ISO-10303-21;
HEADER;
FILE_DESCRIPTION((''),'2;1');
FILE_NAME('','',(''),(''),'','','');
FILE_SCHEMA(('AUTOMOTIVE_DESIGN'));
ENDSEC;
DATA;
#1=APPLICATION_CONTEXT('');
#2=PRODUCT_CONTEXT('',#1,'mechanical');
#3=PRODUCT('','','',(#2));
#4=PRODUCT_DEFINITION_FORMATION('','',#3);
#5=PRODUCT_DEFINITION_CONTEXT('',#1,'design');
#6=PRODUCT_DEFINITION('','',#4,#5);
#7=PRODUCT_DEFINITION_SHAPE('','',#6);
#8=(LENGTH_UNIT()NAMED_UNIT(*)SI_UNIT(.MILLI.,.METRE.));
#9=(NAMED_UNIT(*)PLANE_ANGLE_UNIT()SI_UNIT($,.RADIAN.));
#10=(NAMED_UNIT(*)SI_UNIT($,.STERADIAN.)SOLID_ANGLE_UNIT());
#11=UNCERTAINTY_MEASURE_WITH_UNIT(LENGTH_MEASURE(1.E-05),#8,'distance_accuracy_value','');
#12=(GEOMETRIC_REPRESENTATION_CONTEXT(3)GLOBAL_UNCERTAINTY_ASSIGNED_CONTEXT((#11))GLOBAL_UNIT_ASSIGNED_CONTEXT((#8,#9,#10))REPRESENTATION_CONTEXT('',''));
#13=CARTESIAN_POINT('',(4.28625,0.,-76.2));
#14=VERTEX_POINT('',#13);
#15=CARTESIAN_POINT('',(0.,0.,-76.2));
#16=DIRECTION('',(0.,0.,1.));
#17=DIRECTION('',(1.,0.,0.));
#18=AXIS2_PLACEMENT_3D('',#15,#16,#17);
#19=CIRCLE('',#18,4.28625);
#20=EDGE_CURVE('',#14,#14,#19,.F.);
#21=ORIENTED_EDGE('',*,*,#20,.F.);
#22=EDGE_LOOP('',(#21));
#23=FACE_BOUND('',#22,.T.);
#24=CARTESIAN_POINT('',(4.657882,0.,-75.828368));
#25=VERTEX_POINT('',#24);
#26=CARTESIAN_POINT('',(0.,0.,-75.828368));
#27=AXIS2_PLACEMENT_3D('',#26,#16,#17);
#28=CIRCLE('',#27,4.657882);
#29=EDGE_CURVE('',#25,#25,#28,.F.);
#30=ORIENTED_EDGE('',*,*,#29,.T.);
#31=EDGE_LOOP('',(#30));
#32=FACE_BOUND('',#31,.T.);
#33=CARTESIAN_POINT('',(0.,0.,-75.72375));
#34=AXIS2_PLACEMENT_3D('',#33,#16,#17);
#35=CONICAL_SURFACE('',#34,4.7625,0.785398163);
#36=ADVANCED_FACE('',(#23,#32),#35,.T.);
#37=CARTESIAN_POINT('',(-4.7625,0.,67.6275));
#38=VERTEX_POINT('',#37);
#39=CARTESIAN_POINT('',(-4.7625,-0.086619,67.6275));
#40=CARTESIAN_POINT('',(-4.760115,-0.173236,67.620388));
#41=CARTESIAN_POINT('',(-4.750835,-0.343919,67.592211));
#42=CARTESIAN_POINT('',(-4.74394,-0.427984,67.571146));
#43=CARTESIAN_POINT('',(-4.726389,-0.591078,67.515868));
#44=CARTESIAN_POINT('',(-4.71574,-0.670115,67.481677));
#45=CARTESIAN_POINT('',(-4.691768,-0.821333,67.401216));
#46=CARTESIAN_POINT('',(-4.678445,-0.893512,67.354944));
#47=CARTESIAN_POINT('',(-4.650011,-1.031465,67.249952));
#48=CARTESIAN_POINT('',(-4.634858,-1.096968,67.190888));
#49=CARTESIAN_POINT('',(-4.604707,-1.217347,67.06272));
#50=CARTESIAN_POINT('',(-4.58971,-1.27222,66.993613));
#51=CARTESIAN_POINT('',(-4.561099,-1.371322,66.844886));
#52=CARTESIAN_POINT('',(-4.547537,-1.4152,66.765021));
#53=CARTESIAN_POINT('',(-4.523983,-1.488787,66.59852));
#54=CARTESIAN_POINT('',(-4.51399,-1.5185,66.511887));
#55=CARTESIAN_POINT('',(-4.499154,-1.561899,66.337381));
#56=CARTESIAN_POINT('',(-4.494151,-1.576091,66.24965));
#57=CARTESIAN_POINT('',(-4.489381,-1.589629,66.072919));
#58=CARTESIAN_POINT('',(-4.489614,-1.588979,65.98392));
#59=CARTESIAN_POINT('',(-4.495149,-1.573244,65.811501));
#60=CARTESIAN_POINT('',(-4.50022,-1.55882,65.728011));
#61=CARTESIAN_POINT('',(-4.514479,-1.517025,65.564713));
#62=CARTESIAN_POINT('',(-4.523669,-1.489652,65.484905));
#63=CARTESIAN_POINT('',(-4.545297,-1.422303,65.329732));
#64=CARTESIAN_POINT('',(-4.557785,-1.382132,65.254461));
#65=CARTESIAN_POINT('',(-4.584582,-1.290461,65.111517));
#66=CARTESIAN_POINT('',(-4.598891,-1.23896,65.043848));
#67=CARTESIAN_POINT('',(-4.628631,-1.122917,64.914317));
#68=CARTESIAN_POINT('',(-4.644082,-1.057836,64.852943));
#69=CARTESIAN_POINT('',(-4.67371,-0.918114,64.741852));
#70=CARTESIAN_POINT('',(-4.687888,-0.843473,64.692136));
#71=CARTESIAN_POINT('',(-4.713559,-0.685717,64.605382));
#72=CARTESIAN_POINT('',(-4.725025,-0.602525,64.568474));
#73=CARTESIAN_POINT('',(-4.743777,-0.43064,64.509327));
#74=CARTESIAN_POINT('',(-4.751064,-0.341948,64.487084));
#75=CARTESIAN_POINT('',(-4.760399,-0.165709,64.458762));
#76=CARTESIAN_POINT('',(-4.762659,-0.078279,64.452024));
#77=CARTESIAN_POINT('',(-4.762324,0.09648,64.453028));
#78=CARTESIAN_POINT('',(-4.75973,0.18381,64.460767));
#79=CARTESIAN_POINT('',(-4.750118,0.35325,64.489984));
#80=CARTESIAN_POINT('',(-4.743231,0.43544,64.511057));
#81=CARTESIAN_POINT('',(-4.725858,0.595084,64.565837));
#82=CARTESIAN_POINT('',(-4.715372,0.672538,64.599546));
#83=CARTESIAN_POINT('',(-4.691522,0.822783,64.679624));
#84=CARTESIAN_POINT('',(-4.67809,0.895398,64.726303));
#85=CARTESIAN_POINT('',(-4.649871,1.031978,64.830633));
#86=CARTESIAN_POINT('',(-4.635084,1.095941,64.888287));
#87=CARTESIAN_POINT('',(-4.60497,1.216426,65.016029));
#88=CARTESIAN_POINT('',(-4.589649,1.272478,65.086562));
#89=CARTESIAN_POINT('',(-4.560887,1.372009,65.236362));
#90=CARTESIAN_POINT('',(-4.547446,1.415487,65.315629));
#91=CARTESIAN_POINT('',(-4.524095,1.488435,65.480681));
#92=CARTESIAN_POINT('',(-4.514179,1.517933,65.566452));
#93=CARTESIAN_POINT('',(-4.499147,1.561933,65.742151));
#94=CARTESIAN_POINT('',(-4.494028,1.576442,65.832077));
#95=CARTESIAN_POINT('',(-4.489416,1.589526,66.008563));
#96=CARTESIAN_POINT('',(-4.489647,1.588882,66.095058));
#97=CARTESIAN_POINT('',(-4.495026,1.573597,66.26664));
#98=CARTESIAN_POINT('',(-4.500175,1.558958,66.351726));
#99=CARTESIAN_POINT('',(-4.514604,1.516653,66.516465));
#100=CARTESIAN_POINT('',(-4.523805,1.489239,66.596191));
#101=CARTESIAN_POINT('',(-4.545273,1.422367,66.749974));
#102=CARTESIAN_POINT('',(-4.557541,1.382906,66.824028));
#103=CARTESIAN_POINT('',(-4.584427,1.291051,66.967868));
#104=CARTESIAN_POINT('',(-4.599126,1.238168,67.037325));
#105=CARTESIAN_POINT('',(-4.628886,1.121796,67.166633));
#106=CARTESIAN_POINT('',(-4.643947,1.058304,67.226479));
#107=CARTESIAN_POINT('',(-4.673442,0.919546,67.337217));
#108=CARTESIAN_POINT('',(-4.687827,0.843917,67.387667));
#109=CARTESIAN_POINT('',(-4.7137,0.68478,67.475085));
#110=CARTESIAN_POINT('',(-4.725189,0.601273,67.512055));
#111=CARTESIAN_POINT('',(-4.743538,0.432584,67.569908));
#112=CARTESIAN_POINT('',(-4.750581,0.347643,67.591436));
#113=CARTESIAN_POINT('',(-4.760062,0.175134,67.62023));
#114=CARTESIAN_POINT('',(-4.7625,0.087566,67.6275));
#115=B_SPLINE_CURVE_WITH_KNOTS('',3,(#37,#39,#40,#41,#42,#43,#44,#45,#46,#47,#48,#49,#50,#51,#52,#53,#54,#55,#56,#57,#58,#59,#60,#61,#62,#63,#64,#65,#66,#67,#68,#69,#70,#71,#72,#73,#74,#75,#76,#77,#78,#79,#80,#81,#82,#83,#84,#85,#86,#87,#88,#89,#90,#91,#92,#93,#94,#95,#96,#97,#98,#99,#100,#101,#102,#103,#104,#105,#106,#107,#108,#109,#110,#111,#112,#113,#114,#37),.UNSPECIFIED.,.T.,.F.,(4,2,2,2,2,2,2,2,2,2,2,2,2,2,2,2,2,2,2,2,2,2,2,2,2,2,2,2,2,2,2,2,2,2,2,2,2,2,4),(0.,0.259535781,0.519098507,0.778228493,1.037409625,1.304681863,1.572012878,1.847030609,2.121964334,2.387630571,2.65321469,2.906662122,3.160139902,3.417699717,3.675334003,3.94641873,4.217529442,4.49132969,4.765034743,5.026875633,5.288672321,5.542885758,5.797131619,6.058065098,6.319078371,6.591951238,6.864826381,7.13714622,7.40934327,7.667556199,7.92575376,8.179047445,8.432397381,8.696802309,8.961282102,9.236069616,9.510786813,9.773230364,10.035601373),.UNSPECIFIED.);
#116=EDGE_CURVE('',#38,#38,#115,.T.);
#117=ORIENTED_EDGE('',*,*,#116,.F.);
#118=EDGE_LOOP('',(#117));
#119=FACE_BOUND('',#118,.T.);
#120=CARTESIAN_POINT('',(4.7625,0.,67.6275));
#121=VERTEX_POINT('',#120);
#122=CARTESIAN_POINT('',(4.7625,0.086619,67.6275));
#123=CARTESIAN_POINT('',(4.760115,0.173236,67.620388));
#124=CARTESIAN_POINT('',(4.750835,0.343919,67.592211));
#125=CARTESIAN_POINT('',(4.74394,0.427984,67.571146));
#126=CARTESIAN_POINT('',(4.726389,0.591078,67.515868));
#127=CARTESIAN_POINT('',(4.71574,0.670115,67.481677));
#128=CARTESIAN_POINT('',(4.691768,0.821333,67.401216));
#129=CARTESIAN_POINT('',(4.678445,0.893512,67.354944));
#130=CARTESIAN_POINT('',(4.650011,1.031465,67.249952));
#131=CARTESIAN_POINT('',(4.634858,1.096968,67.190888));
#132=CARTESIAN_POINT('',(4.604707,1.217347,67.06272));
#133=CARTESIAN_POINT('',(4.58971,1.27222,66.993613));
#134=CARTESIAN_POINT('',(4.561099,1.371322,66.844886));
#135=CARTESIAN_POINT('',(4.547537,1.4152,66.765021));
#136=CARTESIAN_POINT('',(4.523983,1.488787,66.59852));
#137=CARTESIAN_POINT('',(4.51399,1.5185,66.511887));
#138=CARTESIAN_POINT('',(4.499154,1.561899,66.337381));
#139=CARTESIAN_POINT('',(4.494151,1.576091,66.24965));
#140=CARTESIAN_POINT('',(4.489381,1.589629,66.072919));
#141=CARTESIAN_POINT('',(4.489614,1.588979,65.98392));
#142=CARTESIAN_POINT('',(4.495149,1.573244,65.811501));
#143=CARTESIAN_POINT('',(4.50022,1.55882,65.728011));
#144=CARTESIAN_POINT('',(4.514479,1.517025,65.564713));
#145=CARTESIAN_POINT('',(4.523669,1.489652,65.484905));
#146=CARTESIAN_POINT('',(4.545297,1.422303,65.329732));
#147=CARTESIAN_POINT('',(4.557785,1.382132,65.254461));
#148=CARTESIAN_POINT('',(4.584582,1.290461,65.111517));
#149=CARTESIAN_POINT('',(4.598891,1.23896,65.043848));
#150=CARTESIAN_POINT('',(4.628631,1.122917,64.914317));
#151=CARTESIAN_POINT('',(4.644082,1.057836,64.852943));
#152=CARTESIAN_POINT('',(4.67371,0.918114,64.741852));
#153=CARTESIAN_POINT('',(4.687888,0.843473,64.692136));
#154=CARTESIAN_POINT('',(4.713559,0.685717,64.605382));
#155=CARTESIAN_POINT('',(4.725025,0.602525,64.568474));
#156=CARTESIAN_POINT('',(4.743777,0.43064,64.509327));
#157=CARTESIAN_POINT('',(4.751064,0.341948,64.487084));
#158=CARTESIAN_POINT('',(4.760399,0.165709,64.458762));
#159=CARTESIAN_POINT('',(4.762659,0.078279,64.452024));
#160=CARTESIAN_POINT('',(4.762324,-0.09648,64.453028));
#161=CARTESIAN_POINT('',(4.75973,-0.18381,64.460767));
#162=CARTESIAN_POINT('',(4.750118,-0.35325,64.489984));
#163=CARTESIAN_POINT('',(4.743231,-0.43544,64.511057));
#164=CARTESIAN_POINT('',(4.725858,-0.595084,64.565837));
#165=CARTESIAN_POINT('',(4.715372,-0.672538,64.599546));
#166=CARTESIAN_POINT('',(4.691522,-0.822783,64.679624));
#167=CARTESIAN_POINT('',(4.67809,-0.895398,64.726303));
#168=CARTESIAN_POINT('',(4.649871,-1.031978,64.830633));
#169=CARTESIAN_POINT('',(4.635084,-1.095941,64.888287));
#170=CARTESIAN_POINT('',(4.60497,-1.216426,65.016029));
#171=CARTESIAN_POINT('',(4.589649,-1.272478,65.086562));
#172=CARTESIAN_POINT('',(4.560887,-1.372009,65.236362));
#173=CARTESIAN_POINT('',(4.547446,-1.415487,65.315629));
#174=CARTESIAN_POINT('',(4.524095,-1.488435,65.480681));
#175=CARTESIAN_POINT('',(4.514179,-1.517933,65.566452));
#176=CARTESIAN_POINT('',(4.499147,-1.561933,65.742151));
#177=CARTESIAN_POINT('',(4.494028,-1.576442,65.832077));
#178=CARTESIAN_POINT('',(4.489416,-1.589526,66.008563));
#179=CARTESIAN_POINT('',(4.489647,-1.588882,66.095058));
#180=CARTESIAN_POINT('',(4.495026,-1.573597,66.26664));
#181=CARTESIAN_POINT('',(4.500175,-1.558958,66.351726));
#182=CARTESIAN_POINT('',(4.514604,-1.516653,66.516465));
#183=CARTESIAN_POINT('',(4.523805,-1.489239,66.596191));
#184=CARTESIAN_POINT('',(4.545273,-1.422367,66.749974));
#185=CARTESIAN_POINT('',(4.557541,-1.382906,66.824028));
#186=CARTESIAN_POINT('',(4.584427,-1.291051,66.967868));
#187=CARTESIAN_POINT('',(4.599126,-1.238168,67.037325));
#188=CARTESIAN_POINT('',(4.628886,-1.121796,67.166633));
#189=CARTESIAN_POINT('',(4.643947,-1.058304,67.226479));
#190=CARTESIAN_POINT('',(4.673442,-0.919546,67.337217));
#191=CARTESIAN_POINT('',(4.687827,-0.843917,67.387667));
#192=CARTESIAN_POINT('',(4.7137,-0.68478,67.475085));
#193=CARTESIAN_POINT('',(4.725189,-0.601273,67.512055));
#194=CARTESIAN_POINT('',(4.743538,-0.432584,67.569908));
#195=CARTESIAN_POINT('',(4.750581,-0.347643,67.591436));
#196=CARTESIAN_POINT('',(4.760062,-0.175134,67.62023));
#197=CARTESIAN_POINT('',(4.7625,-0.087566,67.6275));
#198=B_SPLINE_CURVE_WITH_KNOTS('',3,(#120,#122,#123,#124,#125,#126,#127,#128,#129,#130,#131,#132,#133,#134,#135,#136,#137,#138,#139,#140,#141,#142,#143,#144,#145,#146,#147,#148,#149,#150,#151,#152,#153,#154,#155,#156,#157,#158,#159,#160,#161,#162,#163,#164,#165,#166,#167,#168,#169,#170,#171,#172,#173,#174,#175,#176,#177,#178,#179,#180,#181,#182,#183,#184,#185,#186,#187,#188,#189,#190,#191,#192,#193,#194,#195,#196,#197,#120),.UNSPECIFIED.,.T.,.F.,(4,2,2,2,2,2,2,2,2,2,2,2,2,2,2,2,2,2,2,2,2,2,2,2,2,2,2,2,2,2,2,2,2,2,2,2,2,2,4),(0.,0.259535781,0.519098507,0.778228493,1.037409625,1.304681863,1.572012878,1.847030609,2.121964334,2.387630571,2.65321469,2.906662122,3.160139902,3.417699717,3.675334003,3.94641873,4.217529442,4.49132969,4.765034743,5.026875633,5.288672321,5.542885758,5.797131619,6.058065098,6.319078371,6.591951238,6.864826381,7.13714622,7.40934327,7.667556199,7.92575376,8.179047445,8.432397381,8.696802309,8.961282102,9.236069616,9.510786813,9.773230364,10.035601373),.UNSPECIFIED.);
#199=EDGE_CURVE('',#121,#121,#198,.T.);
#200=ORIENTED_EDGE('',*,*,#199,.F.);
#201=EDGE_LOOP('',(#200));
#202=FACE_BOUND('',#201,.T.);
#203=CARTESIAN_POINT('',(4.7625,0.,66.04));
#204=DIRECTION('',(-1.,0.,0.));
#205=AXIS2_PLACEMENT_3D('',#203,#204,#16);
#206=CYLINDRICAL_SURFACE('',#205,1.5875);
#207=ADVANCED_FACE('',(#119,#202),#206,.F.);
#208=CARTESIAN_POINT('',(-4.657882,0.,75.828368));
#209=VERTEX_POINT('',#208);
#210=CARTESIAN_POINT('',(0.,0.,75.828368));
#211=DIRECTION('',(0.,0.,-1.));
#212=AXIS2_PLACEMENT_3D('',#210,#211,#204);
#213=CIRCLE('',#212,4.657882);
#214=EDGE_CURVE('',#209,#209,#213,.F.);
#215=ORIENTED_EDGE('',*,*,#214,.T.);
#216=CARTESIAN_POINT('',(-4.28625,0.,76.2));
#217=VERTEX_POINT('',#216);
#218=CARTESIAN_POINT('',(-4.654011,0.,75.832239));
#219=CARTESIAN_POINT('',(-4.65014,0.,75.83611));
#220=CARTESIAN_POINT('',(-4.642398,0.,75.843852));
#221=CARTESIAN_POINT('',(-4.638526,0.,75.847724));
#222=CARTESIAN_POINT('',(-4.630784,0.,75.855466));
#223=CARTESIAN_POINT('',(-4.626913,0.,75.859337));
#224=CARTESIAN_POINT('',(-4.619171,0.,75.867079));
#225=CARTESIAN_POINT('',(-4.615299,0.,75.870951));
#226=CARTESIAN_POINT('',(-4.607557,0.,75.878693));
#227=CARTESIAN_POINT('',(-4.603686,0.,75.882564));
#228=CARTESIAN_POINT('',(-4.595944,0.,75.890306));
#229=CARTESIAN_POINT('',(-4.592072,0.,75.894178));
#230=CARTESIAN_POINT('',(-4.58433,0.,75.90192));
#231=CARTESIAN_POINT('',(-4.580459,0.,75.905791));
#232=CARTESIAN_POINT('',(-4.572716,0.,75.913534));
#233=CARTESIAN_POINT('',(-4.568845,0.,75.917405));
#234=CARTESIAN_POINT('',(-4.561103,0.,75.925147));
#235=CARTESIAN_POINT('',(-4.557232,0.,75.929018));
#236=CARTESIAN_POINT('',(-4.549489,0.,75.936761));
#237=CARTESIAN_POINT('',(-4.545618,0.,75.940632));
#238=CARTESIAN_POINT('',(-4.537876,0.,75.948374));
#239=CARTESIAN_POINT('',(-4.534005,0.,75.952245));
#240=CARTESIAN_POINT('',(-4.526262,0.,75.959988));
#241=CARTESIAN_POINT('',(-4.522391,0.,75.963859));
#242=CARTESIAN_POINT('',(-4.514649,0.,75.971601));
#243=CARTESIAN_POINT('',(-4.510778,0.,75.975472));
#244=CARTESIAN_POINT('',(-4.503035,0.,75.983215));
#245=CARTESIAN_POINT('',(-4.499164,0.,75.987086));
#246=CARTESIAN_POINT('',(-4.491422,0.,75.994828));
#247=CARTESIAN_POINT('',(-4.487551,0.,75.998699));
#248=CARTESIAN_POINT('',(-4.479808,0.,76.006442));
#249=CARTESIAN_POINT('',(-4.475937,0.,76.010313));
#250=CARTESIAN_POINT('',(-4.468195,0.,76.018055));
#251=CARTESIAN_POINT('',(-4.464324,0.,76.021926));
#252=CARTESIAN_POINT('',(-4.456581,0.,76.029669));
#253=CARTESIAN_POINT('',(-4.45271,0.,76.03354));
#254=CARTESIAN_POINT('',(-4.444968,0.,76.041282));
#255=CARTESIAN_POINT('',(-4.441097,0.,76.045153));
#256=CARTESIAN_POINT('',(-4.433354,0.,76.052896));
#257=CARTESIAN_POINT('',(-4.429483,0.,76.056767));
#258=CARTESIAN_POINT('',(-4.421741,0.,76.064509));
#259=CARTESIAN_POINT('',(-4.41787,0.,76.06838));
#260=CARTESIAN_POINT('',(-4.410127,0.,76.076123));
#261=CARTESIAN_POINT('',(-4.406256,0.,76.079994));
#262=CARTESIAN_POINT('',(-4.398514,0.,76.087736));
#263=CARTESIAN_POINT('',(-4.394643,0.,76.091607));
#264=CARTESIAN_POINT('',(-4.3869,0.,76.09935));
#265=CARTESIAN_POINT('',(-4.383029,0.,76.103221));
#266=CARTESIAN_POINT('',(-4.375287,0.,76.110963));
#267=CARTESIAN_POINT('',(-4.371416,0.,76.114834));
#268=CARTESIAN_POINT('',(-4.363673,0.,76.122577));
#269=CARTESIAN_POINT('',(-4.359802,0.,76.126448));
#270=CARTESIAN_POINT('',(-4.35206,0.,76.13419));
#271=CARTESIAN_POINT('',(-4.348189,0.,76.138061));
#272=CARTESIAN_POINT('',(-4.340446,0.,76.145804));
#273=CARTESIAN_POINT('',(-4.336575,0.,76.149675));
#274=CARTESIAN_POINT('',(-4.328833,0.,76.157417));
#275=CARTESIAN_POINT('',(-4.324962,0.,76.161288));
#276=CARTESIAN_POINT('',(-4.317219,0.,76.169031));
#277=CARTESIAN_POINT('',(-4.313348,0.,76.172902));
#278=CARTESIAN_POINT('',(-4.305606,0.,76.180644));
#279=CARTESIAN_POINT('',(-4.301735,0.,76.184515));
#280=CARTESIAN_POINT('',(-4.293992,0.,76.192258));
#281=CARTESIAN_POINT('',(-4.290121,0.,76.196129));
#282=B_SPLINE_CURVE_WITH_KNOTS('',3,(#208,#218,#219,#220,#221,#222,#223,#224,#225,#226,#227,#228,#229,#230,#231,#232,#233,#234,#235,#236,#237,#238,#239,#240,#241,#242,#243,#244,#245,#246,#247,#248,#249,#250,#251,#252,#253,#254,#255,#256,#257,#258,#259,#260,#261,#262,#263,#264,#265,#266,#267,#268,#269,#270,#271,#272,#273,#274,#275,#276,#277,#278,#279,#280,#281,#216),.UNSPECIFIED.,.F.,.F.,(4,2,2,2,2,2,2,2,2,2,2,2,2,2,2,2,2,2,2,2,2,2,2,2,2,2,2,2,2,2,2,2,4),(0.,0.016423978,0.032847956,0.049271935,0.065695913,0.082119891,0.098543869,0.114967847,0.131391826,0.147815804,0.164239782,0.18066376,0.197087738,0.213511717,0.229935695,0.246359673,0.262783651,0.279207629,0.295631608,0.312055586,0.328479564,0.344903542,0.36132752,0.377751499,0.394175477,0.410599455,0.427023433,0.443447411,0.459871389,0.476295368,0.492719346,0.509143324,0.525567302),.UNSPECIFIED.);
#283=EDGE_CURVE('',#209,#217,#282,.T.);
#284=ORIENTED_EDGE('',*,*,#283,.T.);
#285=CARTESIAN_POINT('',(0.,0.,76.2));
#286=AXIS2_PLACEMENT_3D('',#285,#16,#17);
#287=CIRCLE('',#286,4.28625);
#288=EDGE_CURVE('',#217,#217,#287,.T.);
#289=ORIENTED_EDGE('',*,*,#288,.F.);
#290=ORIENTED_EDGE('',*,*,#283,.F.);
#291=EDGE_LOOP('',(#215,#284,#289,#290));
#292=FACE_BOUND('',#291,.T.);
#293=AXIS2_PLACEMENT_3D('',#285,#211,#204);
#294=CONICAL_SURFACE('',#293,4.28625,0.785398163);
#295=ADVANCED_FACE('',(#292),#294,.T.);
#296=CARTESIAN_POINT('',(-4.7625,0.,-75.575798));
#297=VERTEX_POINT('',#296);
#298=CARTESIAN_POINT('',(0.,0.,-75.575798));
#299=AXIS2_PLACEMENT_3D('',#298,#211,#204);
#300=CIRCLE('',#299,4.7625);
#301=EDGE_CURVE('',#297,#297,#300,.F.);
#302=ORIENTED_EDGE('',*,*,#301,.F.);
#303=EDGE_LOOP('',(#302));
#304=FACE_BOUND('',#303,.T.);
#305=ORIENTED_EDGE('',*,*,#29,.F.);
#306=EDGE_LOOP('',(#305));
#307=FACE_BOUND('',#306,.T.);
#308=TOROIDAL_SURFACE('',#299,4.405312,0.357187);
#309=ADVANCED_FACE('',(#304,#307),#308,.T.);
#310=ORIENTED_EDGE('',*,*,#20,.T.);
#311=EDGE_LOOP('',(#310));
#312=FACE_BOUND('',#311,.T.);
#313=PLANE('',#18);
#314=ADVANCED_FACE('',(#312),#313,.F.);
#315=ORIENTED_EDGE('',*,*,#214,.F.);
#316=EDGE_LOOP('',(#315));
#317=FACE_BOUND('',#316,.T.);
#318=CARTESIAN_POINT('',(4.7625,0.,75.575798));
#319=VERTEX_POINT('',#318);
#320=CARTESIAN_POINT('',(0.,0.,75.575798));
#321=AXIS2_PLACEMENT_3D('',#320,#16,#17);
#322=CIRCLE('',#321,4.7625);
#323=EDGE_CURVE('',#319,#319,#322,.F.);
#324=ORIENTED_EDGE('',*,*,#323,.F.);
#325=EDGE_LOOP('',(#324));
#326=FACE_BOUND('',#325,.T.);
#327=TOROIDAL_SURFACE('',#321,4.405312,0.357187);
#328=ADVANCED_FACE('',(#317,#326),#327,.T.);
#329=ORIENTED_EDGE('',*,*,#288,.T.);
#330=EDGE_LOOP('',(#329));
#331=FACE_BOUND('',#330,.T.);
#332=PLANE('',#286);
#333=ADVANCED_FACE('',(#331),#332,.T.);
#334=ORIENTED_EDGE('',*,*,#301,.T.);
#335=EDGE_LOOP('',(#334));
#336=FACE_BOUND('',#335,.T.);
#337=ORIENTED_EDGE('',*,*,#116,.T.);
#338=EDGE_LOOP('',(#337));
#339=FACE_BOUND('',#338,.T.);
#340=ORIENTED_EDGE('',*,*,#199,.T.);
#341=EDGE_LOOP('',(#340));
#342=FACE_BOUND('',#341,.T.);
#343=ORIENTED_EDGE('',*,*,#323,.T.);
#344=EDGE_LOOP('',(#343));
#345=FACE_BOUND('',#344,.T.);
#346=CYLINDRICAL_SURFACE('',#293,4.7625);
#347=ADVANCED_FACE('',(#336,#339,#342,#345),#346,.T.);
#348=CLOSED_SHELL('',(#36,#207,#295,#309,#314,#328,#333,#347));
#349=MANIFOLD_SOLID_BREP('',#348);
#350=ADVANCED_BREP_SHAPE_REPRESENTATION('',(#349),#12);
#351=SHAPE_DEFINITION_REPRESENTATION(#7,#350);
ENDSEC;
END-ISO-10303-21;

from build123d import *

# Parameters (mm, degrees)
SKETCH3_R           = 4.7625
BOSS_EXTRUDE1_DEPTH = 76.2
CHAMFER1_SIZE       = 0.47625
FILLET2_R           = 0.3571875
SKETCH4_R           = 1.5875
CUT_EXTRUDE1_DEPTH  = 362.708529549


with BuildPart() as part:
    # Sketch3 → Boss-Extrude1 (new, symmetric)
    with BuildSketch(Plane.XY):
        with Locations(Location((0, 0, 0), (0, 0, 180))):
            Circle(SKETCH3_R)
    extrude(amount=BOSS_EXTRUDE1_DEPTH, both=True)

    # Chamfer1
    chamfer1_edges = [part.edges().sort_by_distance(p)[0] for p in [
        (4.7625, 0, -76.2),
        (4.7625, 0, 76.2),
    ]]
    chamfer(chamfer1_edges, length=CHAMFER1_SIZE)

    # Fillet2
    fillet2_edges = [part.edges().sort_by_distance(p)[0] for p in [
        (4.7625, 0, -75.72375),
        (4.7625, 0, 75.72375),
    ]]
    fillet(fillet2_edges, radius=FILLET2_R)

    # Sketch4 → Cut-Extrude1 (cut, through all)
    with BuildSketch(Plane(origin=(-4.7625, -167.656009053, -241.627303232), x_dir=(0, 0, 1), z_dir=(-1, 0, 0))):
        with Locations((307.667303232, 167.656009053)):
            Circle(SKETCH4_R)
    extrude(amount=-CUT_EXTRUDE1_DEPTH, mode=Mode.SUBTRACT)


solid = part.part
